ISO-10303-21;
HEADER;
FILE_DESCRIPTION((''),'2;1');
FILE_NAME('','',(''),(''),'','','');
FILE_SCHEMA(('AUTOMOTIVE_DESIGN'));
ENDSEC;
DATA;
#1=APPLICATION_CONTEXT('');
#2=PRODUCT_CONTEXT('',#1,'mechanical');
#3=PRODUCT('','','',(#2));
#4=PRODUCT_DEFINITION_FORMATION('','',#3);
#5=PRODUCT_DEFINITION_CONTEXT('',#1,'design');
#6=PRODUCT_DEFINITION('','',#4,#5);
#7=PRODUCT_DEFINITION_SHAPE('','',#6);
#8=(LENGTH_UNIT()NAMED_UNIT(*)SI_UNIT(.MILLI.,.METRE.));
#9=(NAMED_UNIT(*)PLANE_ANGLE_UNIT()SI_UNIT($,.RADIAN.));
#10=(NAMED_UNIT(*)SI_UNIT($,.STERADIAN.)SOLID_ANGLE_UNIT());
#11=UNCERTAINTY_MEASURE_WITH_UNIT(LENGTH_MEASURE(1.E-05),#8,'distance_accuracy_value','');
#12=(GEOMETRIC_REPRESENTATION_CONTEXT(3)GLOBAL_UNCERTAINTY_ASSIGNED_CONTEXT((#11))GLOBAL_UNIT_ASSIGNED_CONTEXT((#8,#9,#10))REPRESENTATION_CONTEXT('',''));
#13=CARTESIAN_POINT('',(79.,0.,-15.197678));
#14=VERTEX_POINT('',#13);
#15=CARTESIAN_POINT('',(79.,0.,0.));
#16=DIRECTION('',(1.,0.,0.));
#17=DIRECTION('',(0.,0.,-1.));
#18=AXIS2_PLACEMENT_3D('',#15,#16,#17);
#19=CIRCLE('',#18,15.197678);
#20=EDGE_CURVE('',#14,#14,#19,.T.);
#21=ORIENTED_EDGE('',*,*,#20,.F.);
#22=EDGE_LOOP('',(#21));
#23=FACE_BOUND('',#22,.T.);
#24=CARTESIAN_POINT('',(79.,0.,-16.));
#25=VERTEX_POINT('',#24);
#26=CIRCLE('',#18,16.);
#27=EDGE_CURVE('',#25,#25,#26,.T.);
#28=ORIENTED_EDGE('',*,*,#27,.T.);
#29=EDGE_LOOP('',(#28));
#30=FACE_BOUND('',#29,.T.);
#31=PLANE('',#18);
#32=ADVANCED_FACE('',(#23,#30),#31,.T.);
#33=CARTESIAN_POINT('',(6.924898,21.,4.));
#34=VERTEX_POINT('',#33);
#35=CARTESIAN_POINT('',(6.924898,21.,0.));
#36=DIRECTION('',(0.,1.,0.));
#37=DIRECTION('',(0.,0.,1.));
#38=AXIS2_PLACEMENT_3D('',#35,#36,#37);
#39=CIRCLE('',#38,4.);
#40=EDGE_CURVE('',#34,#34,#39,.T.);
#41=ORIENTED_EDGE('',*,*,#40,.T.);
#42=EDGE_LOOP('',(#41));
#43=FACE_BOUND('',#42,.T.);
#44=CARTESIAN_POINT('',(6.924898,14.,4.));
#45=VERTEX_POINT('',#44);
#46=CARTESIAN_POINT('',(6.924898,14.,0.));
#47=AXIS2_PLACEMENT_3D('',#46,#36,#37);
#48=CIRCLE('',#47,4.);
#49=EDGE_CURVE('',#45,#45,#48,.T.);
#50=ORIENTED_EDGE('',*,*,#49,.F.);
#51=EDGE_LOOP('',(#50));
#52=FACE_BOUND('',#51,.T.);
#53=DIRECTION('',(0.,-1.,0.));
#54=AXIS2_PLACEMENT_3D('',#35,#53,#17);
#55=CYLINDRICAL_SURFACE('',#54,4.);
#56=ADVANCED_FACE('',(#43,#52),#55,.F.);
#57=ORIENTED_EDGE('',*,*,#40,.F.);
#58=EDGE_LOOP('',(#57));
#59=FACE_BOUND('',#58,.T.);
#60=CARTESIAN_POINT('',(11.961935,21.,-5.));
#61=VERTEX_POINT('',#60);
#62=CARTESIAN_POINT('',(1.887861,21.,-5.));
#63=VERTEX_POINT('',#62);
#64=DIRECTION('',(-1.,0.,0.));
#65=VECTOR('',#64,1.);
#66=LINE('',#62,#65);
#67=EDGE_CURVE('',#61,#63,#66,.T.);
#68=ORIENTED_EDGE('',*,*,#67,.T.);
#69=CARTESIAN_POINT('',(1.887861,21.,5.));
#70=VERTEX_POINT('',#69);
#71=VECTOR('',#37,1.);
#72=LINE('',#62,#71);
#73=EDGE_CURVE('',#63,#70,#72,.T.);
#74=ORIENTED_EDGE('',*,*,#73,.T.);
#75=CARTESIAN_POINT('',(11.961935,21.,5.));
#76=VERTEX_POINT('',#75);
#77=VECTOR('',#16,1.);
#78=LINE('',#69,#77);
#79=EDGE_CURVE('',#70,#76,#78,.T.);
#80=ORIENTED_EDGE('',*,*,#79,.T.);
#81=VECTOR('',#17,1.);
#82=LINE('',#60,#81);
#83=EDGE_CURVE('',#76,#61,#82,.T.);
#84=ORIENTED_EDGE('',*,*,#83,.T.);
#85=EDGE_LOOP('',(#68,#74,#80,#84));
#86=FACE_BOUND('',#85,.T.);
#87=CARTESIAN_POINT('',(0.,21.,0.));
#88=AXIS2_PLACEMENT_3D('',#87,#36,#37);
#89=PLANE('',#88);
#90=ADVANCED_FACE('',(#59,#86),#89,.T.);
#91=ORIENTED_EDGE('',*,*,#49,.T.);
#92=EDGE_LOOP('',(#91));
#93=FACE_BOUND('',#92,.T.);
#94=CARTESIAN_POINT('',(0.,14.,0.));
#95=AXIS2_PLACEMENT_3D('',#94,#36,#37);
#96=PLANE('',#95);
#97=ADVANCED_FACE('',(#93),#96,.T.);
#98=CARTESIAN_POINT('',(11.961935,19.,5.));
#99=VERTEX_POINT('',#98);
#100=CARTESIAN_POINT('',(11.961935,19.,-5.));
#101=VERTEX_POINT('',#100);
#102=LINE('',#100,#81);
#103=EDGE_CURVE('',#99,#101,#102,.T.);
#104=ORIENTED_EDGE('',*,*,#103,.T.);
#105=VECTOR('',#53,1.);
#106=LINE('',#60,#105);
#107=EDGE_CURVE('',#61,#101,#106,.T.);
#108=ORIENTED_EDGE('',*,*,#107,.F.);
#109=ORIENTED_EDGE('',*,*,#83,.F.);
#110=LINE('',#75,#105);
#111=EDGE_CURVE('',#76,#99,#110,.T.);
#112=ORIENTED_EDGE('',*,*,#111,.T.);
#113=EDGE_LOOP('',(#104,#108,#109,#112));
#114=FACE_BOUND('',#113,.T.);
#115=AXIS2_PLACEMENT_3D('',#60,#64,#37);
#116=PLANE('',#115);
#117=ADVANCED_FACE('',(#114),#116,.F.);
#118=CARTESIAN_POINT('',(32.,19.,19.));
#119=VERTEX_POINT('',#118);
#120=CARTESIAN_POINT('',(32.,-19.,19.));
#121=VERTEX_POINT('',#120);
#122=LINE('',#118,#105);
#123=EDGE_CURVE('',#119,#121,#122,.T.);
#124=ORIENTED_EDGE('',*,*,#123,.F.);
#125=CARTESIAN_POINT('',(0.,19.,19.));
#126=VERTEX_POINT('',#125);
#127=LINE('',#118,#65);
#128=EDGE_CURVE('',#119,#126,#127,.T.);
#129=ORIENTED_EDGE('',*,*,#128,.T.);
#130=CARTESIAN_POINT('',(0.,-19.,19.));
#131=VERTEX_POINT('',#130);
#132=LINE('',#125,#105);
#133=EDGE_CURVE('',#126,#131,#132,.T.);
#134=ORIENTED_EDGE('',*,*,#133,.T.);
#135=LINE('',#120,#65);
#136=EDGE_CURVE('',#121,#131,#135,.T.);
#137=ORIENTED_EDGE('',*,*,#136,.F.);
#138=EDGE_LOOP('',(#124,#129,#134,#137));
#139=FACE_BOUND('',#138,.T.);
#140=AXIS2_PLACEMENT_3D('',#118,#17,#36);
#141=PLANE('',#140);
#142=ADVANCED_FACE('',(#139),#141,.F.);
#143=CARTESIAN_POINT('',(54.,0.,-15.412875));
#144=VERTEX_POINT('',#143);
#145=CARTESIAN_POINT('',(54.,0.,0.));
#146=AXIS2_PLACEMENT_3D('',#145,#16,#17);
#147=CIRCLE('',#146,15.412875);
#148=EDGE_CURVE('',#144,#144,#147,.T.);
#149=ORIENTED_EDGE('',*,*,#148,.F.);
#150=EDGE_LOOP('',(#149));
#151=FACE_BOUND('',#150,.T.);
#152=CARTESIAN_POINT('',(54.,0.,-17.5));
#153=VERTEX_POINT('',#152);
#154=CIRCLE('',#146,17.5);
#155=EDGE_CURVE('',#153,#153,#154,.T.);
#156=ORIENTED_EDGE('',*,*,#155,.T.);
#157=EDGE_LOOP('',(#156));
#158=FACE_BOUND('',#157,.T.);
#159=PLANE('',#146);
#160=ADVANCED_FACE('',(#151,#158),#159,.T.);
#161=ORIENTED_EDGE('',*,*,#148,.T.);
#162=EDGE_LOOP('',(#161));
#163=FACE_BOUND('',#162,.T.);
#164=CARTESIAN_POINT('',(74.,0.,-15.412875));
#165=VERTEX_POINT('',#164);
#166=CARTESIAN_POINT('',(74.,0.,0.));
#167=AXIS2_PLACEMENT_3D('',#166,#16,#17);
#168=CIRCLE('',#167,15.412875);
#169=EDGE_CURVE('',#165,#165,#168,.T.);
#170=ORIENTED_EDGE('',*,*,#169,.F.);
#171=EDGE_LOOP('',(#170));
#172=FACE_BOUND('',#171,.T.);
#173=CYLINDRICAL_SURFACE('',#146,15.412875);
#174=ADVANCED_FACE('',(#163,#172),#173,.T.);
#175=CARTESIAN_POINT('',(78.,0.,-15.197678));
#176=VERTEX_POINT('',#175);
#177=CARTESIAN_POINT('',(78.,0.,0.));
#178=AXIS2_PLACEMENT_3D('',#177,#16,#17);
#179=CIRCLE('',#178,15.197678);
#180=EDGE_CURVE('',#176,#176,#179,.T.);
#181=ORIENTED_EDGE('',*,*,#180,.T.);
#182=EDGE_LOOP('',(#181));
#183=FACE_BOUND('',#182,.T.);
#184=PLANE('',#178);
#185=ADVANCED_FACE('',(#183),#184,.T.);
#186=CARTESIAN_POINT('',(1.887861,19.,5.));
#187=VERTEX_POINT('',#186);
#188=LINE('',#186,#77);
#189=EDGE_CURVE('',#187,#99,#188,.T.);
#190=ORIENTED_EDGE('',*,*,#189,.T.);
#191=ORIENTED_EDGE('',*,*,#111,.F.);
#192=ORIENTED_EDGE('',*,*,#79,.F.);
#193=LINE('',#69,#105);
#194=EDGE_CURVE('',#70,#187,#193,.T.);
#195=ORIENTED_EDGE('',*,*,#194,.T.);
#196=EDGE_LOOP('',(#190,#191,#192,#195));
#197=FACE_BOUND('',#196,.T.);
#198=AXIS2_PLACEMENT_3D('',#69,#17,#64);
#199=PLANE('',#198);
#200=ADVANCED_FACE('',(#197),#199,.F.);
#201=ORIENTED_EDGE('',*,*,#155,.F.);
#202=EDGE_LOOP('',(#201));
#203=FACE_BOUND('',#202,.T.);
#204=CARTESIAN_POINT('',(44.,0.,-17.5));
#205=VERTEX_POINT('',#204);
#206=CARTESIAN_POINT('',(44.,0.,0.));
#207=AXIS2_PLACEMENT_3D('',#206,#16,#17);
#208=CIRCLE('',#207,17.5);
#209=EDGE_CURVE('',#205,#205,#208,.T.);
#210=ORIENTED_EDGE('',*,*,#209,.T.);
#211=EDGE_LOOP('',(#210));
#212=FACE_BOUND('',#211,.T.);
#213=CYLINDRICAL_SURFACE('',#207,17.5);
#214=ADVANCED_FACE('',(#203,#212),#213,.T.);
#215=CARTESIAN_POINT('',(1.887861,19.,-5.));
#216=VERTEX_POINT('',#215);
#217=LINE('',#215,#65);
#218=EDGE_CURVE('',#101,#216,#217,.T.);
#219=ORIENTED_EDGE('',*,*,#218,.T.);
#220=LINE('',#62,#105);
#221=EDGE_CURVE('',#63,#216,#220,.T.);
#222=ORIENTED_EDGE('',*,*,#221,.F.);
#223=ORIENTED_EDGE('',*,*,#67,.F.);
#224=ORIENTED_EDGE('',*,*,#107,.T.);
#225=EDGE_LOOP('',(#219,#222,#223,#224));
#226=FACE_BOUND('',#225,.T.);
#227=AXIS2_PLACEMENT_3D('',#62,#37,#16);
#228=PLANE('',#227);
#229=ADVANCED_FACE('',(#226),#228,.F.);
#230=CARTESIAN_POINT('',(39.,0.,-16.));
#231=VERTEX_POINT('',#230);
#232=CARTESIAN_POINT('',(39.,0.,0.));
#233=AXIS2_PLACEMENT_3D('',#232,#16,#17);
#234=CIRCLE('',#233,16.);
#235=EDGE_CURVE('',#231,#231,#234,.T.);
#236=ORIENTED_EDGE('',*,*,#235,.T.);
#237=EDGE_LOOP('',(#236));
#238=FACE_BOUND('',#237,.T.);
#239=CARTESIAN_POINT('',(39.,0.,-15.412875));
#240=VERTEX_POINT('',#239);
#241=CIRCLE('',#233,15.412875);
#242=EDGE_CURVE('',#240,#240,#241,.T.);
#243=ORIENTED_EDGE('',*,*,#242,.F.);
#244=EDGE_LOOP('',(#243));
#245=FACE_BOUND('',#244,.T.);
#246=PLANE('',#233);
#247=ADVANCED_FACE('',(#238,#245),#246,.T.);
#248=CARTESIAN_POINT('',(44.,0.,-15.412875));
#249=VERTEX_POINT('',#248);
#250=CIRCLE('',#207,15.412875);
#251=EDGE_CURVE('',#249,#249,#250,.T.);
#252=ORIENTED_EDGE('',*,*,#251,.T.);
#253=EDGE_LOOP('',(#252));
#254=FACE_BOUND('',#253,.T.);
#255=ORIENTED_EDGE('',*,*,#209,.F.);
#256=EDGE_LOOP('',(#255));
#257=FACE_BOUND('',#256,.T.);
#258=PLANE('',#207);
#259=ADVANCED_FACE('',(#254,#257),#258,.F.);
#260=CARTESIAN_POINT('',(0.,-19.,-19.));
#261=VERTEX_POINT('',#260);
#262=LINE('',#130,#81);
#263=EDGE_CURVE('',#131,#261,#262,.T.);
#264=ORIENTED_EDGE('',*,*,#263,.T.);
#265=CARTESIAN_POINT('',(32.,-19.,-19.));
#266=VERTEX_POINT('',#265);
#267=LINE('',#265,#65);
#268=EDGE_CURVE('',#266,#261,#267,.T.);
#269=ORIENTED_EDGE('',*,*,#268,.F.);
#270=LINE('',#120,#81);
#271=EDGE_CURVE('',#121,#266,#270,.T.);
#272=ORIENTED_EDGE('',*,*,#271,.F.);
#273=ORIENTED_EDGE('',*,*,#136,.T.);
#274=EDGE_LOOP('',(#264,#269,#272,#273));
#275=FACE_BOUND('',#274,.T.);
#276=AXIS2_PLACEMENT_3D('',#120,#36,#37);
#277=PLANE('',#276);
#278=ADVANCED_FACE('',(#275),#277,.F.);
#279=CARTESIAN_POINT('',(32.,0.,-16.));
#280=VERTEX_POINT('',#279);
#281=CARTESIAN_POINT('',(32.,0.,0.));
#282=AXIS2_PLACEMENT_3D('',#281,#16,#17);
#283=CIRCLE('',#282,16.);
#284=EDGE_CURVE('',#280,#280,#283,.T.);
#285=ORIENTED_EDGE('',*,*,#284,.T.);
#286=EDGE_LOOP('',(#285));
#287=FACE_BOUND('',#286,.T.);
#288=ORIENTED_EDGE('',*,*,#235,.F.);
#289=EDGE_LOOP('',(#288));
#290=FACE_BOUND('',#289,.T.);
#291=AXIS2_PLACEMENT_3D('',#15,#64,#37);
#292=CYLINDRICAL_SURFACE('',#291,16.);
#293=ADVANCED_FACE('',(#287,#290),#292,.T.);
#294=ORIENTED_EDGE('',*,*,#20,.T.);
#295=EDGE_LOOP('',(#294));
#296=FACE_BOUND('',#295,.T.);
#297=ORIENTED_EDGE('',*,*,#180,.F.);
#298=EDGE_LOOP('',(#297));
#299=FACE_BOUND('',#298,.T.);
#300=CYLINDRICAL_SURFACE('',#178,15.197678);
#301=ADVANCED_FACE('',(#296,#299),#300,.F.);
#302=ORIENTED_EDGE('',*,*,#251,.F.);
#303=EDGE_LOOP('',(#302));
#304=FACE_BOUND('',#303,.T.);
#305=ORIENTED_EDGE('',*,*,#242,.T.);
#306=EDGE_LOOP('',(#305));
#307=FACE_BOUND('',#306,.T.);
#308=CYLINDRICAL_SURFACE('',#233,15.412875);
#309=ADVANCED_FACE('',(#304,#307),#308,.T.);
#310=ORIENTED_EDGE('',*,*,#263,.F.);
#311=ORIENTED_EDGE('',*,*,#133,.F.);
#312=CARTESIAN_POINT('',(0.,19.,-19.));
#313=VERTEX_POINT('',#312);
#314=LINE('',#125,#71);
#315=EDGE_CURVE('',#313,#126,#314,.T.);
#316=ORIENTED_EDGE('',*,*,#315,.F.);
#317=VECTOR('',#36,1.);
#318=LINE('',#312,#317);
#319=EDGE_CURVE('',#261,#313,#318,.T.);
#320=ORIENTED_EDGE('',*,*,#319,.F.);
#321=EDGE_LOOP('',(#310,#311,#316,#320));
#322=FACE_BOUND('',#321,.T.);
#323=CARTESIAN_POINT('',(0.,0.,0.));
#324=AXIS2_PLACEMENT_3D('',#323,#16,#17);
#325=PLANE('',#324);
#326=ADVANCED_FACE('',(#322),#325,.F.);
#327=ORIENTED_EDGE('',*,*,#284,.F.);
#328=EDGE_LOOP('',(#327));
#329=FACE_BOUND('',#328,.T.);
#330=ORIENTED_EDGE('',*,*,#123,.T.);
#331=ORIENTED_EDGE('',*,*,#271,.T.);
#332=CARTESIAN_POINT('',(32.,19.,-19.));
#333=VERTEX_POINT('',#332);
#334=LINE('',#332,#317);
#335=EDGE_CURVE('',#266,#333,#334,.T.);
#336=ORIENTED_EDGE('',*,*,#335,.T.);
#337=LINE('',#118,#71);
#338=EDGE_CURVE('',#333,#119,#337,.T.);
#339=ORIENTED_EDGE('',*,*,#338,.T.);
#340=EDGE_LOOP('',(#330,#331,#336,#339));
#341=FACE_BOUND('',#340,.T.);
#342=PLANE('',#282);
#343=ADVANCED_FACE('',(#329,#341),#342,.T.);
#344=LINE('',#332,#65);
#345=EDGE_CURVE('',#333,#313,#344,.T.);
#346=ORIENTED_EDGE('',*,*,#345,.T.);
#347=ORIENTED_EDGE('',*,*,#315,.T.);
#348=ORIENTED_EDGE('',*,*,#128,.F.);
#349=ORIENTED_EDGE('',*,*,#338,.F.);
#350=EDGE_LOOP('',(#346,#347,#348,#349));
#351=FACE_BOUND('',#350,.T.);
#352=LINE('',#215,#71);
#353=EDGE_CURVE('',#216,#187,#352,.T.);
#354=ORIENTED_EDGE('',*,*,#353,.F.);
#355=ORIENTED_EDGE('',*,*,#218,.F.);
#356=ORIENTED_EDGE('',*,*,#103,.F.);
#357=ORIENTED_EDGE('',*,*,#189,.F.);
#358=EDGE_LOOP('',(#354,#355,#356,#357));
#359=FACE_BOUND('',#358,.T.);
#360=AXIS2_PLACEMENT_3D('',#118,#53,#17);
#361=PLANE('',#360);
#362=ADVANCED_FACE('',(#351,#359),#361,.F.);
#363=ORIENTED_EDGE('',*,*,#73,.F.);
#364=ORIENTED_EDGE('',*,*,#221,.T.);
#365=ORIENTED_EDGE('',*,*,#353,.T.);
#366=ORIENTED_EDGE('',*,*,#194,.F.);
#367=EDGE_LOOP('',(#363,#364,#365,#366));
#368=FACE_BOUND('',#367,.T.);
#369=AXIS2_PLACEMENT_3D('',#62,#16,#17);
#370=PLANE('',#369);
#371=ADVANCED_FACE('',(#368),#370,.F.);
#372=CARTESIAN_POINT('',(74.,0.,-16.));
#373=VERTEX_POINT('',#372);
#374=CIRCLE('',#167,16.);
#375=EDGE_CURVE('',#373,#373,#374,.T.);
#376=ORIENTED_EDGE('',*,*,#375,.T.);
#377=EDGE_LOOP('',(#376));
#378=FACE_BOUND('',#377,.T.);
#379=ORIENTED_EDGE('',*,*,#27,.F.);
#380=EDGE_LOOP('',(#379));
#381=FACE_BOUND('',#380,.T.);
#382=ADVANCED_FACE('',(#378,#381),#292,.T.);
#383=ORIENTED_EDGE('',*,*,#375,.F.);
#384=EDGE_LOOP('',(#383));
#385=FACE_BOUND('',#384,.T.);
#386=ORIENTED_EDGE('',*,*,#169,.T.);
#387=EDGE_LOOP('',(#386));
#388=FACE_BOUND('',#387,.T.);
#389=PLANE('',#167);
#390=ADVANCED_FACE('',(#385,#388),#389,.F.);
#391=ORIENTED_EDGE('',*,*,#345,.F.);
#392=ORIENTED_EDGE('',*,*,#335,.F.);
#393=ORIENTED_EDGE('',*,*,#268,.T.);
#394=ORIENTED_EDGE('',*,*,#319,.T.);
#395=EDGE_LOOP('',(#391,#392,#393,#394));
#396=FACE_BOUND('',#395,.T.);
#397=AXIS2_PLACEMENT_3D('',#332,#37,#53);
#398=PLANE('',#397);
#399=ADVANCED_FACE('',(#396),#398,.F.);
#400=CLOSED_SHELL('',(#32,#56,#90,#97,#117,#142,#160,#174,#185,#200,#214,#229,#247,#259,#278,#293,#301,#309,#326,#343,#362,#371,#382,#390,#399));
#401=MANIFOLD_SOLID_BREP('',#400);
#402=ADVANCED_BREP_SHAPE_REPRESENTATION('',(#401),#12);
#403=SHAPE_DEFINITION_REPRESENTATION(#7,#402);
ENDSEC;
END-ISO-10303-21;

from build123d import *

# Parameters (mm, degrees)
SKETCH1_W           = 38
SKETCH1_H           = 38
BOSS_EXTRUDE1_DEPTH = 32
SKETCH2_R           = 16
BOSS_EXTRUDE2_DEPTH = 47
SKETCH3_W           = 10.074074074
SKETCH3_H           = 10
SKETCH3_R           = 4
BOSS_EXTRUDE3_DEPTH = 2
CUT_EXTRUDE1_START  = -5
SKETCH3_2_R         = 4
CUT_EXTRUDE1_DEPTH  = 5
CUT_EXTRUDE2_START  = -25
SKETCH4_R           = 16
SKETCH4_R_2         = 15.412875145
CUT_EXTRUDE2_DEPTH  = 20
BOSS_EXTRUDE4_START = -35
SKETCH5_R           = 17.5
SKETCH5_R_2         = 16
BOSS_EXTRUDE4_DEPTH = 10
CUT_EXTRUDE3_START  = -40
SKETCH4_2_R         = 16
SKETCH4_2_R_2       = 15.412875145
CUT_EXTRUDE3_DEPTH  = 5
SKETCH6_R           = 15.197678489
CUT_EXTRUDE4_DEPTH  = 1


with BuildPart() as part:
    # Sketch1 → Boss-Extrude1 (new body)
    with BuildSketch(Plane(origin=(0, 0, 0), x_dir=(0, 0, -1), z_dir=(1, 0, 0))):
        Rectangle(SKETCH1_W, SKETCH1_H)
    extrude(amount=BOSS_EXTRUDE1_DEPTH)

    # Sketch2 → Boss-Extrude2 (add)
    with BuildSketch(Plane(origin=(32, 0, 0), x_dir=(0, 0, -1), z_dir=(1, 0, 0))):
        Circle(SKETCH2_R)
    extrude(amount=BOSS_EXTRUDE2_DEPTH)

    # Sketch3 → Boss-Extrude3 (add)
    with BuildSketch(Plane(origin=(0, 19, 0), x_dir=(1, 0, 0), z_dir=(0, 1, 0))):
        with Locations((6.924898334, 0)):
            Rectangle(SKETCH3_W, SKETCH3_H)
        with Locations((6.924898334, 0)):
            Circle(SKETCH3_R, mode=Mode.SUBTRACT)
    extrude(amount=BOSS_EXTRUDE3_DEPTH)

    # Sketch3<2> → Cut-Extrude1 (cut)
    with BuildSketch(Plane(origin=(0, 19, 0), x_dir=(1, 0, 0), z_dir=(0, 1, 0)).offset(CUT_EXTRUDE1_START)):
        with Locations((6.924898334, 0)):
            Circle(SKETCH3_2_R)
    extrude(amount=CUT_EXTRUDE1_DEPTH, mode=Mode.SUBTRACT)

    # Sketch4 → Cut-Extrude2 (cut)
    with BuildSketch(Plane(origin=(79, 0, 0), x_dir=(0, 0, -1), z_dir=(1, 0, 0)).offset(CUT_EXTRUDE2_START)):
        Circle(SKETCH4_R)
        Circle(SKETCH4_R_2, mode=Mode.SUBTRACT)
    extrude(amount=CUT_EXTRUDE2_DEPTH, mode=Mode.SUBTRACT)

    # Sketch5 → Boss-Extrude4 (add)
    with BuildSketch(Plane(origin=(79, 0, 0), x_dir=(0, 0, -1), z_dir=(1, 0, 0)).offset(BOSS_EXTRUDE4_START)):
        Circle(SKETCH5_R)
        Circle(SKETCH5_R_2, mode=Mode.SUBTRACT)
    extrude(amount=BOSS_EXTRUDE4_DEPTH)

    # Sketch4<2> → Cut-Extrude3 (cut)
    with BuildSketch(Plane(origin=(79, 0, 0), x_dir=(0, 0, -1), z_dir=(1, 0, 0)).offset(CUT_EXTRUDE3_START)):
        Circle(SKETCH4_2_R)
        Circle(SKETCH4_2_R_2, mode=Mode.SUBTRACT)
    extrude(amount=CUT_EXTRUDE3_DEPTH, mode=Mode.SUBTRACT)

    # Sketch6 → Cut-Extrude4 (cut)
    with BuildSketch(Plane(origin=(79, 0, 0), x_dir=(0, 0, -1), z_dir=(1, 0, 0))):
        Circle(SKETCH6_R)
    extrude(amount=-CUT_EXTRUDE4_DEPTH, mode=Mode.SUBTRACT)


solid = part.part
